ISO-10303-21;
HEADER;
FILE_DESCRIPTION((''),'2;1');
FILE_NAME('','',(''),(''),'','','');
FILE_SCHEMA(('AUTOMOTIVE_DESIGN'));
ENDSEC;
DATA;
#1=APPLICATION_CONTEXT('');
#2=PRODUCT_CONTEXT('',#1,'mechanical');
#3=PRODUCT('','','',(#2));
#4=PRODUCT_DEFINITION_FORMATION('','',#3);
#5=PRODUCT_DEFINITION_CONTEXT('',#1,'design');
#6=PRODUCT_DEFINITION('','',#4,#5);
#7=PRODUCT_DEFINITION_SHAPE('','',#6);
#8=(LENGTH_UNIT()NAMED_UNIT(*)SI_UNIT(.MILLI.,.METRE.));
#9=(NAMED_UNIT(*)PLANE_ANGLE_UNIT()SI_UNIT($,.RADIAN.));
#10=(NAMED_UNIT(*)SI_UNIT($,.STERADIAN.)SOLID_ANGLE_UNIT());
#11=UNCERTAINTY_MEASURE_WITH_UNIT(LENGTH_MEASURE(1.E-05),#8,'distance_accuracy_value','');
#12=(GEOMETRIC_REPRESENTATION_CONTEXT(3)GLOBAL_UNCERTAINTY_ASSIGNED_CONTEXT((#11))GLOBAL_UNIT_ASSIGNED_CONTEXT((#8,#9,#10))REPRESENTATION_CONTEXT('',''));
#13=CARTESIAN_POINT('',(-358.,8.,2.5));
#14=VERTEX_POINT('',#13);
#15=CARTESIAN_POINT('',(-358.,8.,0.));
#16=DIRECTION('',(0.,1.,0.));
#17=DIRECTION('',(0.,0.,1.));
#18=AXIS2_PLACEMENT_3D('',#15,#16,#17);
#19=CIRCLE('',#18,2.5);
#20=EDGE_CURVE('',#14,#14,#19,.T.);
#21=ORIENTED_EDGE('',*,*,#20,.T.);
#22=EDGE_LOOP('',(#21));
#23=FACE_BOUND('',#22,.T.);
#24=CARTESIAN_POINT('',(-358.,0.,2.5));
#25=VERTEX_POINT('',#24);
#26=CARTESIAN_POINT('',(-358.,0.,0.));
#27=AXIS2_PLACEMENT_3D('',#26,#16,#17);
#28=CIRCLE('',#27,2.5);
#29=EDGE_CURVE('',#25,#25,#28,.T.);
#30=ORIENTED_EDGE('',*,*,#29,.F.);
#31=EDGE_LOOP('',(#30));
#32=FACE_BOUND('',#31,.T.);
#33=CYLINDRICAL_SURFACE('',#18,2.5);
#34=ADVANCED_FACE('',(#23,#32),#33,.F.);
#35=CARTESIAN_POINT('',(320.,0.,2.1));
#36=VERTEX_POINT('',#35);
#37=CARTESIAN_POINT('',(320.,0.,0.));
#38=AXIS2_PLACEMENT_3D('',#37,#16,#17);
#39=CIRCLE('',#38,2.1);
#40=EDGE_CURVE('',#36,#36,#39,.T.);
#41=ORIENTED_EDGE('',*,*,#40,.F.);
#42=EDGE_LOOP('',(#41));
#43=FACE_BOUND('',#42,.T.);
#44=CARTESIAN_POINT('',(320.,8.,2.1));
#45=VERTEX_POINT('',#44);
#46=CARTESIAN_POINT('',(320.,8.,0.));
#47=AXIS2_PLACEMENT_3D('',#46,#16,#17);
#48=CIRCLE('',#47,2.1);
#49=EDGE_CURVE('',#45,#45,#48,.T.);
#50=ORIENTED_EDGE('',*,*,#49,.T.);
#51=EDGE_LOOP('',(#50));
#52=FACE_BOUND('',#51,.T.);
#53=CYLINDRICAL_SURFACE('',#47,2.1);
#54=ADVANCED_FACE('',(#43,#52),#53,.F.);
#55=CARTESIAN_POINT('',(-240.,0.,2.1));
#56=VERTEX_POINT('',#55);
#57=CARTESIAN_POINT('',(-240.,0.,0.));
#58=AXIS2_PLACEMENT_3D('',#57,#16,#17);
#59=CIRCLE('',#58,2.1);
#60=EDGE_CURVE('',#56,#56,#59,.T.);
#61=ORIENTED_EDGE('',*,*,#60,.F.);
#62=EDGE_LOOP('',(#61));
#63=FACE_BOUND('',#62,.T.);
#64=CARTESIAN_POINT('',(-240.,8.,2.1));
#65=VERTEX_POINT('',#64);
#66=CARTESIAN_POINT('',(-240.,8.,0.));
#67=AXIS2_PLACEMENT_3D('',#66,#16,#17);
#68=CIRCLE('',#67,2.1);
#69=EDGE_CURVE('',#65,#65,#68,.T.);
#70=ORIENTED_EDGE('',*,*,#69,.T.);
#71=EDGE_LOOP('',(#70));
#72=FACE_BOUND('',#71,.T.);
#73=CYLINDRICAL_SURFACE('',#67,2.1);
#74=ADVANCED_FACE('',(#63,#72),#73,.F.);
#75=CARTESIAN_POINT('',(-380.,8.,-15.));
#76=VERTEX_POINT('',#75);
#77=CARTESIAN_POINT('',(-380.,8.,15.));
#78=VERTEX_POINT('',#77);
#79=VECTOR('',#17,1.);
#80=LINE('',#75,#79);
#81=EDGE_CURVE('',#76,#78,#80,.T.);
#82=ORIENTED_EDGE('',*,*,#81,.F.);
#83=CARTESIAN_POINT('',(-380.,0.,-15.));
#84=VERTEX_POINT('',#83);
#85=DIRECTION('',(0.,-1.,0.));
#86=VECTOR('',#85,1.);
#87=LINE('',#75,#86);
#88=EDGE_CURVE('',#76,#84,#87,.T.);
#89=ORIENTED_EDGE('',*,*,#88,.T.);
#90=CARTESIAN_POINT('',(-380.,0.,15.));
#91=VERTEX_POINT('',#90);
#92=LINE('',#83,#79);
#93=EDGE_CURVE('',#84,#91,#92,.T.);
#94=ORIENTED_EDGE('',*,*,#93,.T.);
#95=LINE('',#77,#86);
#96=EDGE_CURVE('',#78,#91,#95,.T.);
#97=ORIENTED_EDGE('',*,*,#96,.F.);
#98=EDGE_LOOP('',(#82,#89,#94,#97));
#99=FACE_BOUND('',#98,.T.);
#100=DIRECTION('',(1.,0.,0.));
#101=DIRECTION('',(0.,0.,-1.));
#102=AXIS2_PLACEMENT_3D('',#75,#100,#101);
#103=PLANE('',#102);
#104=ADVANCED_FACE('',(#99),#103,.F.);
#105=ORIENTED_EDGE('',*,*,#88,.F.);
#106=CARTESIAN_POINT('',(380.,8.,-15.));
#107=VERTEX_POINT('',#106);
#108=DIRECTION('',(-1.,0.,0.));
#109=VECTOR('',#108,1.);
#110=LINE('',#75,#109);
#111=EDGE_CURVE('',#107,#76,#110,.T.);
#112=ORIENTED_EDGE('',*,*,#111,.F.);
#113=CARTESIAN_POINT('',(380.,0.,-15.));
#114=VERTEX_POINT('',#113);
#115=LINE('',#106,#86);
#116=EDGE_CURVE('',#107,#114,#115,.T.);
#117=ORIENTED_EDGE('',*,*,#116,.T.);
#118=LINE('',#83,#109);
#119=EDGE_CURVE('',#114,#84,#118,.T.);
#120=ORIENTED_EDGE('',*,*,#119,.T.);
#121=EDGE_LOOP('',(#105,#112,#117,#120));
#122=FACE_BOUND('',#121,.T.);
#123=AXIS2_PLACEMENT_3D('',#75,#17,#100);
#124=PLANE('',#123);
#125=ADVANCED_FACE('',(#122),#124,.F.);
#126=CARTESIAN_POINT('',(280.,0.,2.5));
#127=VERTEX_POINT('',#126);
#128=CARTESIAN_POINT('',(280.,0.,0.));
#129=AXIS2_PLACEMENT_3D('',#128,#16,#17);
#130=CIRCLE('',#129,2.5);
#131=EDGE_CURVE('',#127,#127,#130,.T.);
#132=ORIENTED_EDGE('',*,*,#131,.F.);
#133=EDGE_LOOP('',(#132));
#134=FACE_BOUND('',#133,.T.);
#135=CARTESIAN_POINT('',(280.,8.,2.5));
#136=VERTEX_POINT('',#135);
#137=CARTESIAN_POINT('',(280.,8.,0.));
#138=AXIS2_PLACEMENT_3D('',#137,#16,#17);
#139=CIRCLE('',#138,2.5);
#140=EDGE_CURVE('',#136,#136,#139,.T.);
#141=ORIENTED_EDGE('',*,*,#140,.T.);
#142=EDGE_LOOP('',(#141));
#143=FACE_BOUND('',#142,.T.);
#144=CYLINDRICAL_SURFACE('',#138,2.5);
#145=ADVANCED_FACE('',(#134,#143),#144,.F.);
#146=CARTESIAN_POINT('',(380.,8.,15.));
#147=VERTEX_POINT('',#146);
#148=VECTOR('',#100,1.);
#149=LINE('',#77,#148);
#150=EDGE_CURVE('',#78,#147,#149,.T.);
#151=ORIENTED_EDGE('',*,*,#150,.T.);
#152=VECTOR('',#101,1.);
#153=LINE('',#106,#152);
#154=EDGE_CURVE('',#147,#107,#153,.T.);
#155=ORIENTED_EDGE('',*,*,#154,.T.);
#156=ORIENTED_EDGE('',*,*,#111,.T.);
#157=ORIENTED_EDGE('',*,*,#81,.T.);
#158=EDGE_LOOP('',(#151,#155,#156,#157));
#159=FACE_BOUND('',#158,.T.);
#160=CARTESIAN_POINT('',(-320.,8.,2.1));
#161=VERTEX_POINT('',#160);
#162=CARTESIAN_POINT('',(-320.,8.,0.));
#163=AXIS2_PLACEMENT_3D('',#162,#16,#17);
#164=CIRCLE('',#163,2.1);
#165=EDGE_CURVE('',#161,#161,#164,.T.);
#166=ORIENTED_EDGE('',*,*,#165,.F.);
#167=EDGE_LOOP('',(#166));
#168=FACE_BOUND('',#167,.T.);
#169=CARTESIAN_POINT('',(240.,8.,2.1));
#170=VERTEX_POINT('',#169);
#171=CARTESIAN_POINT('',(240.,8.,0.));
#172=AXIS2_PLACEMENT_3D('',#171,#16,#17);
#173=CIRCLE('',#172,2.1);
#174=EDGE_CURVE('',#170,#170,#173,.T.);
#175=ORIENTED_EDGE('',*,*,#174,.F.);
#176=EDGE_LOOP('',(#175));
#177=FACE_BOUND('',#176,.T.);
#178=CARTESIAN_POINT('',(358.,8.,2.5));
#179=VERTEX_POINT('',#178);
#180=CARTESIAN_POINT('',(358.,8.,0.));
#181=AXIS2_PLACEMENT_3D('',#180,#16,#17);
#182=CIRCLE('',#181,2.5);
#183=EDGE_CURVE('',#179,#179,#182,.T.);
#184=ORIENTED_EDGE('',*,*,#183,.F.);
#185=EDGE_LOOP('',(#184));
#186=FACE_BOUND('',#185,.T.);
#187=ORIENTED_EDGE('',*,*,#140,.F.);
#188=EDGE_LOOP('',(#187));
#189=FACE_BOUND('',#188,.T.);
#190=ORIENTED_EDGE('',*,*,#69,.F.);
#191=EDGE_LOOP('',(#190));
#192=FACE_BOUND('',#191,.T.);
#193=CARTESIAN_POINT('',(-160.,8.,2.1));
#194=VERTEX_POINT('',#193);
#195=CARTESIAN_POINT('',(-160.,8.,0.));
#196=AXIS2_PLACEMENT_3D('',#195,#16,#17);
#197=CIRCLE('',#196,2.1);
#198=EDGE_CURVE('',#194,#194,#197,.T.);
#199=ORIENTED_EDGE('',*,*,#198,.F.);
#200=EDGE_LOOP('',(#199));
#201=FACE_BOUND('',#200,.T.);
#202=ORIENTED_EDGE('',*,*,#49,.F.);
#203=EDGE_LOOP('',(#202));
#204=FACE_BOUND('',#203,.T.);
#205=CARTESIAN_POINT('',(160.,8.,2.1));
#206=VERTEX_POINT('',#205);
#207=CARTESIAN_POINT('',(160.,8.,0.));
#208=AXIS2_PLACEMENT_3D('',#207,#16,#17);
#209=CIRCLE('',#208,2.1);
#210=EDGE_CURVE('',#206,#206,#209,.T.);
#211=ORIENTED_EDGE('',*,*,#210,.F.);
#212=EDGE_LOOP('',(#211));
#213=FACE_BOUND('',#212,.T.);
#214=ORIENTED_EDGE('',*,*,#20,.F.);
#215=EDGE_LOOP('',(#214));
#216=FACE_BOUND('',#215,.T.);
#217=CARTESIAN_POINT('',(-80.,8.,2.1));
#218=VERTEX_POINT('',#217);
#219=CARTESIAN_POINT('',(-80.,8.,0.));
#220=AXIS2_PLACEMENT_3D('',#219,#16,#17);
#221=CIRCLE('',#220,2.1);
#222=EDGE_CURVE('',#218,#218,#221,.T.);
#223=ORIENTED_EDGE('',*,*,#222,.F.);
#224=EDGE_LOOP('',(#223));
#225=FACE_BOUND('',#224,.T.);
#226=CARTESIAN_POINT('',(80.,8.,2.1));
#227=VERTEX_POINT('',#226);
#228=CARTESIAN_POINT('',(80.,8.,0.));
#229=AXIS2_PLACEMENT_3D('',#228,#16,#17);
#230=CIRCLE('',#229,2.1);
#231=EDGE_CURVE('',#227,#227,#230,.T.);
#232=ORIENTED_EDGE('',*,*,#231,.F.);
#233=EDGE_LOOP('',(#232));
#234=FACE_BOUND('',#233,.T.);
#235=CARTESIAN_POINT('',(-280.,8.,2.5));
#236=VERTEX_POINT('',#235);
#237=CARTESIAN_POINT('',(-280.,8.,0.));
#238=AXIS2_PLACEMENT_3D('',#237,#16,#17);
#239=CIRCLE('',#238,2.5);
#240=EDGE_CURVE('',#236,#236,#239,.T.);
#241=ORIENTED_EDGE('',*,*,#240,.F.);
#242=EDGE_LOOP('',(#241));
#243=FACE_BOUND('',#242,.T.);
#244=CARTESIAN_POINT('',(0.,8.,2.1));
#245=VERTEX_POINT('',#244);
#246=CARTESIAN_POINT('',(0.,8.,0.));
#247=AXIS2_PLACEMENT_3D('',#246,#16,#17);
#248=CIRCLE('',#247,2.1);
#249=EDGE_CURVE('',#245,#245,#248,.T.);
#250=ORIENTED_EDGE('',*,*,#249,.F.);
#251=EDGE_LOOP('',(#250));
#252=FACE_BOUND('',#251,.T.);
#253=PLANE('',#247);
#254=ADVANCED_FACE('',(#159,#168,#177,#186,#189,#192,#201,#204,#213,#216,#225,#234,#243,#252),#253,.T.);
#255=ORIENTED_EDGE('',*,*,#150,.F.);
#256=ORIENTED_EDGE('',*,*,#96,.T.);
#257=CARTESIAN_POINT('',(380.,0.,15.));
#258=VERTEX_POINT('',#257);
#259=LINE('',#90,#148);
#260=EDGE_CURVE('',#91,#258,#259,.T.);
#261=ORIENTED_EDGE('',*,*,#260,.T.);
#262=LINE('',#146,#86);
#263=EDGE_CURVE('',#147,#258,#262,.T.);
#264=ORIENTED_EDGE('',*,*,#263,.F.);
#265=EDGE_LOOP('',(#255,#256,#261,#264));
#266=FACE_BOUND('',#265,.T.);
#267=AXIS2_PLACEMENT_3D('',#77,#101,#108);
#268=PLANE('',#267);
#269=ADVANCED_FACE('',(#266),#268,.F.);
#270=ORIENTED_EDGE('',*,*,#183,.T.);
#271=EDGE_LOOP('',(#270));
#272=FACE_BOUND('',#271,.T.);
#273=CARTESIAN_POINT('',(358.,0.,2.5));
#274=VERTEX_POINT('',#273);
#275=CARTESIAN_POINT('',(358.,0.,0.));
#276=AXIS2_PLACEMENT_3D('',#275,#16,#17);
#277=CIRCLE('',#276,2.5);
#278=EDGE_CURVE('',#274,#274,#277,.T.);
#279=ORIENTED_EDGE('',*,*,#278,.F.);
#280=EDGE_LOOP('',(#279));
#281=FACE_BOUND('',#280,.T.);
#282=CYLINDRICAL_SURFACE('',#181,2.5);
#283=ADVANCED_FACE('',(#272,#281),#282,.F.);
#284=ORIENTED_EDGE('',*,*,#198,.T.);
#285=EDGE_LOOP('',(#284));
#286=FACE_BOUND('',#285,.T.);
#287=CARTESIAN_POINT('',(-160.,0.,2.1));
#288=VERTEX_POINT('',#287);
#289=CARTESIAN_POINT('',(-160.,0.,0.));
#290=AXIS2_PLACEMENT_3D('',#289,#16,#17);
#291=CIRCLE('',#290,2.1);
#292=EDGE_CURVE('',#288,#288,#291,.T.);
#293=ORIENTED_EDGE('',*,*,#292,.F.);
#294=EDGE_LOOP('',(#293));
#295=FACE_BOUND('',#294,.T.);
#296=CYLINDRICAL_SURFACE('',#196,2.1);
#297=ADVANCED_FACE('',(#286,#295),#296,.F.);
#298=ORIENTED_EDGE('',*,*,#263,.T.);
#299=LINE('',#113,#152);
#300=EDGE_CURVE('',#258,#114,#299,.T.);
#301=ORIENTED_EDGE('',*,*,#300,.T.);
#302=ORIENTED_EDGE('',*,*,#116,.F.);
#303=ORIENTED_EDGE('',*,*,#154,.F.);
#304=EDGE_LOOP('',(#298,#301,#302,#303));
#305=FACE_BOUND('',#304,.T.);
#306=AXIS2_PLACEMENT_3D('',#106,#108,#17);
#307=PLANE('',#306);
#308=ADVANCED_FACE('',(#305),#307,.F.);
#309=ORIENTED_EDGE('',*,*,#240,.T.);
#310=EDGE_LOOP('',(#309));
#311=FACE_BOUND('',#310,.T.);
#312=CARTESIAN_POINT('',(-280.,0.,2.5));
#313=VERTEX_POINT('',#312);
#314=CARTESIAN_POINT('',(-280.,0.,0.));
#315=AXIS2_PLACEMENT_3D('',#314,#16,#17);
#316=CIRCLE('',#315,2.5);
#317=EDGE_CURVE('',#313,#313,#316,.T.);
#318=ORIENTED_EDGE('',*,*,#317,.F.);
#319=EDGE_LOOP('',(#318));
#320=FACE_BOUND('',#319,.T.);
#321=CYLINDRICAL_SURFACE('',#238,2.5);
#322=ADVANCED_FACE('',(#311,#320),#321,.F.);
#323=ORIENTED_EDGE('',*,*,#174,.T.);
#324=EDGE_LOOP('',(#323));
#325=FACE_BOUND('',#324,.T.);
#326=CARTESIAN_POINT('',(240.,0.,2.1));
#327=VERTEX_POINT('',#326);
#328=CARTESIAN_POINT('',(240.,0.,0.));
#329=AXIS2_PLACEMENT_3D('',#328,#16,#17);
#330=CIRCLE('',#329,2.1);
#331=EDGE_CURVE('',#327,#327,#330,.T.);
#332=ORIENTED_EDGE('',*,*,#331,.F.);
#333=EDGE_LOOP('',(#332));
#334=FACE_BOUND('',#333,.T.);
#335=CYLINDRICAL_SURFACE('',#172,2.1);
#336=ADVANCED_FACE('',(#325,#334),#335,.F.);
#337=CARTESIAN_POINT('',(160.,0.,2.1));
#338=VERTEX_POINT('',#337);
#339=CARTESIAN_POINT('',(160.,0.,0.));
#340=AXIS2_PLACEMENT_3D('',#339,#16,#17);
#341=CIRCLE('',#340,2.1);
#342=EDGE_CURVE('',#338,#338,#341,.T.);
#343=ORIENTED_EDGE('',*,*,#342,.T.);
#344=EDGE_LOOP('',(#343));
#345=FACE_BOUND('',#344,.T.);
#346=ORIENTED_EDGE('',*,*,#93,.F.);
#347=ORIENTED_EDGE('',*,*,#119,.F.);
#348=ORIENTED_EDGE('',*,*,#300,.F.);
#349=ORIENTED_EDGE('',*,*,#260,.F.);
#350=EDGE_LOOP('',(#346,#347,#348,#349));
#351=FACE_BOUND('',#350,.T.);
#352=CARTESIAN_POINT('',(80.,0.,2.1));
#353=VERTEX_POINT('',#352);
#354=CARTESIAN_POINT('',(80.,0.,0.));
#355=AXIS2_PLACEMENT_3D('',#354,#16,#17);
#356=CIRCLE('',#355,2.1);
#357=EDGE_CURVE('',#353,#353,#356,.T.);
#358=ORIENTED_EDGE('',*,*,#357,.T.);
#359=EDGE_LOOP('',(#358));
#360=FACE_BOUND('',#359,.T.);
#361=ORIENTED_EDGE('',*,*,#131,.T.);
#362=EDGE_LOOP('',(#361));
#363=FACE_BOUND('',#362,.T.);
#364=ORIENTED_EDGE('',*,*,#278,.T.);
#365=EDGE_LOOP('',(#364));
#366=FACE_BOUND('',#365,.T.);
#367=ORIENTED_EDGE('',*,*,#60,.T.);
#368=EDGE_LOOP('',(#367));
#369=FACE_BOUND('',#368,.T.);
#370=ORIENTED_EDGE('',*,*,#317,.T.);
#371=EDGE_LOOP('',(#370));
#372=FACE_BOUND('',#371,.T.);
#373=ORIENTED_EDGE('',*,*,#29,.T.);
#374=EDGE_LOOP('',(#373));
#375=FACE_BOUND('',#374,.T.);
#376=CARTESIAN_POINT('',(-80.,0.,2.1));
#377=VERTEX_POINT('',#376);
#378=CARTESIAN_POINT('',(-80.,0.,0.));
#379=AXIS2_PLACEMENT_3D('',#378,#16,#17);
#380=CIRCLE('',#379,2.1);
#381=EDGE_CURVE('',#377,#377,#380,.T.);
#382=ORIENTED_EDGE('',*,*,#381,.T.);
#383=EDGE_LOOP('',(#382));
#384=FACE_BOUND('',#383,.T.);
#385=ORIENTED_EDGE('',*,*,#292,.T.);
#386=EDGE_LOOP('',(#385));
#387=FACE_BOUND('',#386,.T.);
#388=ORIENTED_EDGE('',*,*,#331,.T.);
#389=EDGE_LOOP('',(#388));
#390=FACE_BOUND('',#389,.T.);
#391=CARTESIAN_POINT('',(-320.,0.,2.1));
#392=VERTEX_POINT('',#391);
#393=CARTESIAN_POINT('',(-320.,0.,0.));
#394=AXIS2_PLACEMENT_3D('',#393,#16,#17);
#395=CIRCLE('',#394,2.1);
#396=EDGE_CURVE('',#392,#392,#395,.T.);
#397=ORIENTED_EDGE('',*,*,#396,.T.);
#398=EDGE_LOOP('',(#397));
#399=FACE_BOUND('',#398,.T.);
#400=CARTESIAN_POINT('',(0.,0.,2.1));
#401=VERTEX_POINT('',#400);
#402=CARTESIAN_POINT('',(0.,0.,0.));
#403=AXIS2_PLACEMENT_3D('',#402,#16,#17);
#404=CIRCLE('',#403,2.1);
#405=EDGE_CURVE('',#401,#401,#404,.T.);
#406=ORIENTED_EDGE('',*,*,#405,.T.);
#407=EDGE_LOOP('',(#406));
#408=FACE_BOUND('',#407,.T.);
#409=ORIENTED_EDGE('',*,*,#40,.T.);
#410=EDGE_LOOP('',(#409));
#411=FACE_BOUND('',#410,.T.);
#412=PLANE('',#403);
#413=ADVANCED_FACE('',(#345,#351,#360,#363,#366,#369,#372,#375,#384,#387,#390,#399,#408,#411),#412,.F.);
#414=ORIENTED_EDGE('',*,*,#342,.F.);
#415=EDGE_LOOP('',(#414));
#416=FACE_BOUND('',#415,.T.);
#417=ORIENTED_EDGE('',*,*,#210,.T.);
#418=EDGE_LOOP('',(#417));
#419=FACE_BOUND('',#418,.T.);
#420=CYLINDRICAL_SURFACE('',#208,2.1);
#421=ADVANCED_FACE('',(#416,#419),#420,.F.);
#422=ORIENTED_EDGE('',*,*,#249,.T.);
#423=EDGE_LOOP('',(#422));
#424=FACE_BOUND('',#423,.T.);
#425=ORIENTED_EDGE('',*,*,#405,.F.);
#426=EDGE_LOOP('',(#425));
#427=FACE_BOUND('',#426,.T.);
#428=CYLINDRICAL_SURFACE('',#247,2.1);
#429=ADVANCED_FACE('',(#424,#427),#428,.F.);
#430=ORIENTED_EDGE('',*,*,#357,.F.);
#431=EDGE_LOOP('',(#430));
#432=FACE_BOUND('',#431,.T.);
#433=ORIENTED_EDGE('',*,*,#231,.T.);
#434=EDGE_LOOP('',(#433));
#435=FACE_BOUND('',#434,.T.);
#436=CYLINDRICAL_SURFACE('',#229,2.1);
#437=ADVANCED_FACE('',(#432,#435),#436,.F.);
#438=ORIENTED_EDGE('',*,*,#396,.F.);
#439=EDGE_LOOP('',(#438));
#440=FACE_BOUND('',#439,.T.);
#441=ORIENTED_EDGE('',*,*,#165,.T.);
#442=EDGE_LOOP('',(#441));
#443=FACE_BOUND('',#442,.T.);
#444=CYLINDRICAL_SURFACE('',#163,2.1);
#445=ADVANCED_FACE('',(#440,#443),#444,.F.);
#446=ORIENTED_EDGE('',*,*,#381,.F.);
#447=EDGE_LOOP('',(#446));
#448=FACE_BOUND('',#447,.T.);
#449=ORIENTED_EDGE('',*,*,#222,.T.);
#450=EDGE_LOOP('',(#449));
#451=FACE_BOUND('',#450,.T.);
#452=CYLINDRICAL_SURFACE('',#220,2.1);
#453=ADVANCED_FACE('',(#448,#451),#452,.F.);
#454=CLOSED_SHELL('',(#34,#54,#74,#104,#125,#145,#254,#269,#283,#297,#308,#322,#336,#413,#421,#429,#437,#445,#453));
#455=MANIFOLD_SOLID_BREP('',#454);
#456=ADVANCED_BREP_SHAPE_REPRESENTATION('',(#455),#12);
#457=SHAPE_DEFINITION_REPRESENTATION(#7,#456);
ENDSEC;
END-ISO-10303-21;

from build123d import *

# Parameters (mm, degrees)
SKETCH1_W           = 760
SKETCH1_H           = 30
BOSS_EXTRUDE1_DEPTH = 8
M6_TAPPED_HOLE1_D   = 5
M5_TAPPED_HOLE1_D   = 4.2


with BuildPart() as part:
    # Sketch1 → Boss-Extrude1 (new body)
    with BuildSketch(Plane(origin=(0, 0, 0), x_dir=(1, 0, 0), z_dir=(0, 1, 0))):
        Rectangle(SKETCH1_W, SKETCH1_H)
    extrude(amount=BOSS_EXTRUDE1_DEPTH)

    # M6 Tapped Hole1 (through all)
    with Locations(Plane(origin=(0, 8, 0), x_dir=(1, 0, 0), z_dir=(0, 1, 0))):
        with Locations((-358, 0), (-280, 0), (280, 0), (358, 0)):
            Hole(M6_TAPPED_HOLE1_D / 2)

    # M5 Tapped Hole1 (through all)
    with Locations(Plane(origin=(0, 8, 0), x_dir=(1, 0, 0), z_dir=(0, 1, 0))):
        with Locations((0, 0), (80, 0), (160, 0), (240, 0), (320, 0), (-80, 0), (-160, 0), (-240, 0), (-320, 0)):
            Hole(M5_TAPPED_HOLE1_D / 2)


solid = part.part
